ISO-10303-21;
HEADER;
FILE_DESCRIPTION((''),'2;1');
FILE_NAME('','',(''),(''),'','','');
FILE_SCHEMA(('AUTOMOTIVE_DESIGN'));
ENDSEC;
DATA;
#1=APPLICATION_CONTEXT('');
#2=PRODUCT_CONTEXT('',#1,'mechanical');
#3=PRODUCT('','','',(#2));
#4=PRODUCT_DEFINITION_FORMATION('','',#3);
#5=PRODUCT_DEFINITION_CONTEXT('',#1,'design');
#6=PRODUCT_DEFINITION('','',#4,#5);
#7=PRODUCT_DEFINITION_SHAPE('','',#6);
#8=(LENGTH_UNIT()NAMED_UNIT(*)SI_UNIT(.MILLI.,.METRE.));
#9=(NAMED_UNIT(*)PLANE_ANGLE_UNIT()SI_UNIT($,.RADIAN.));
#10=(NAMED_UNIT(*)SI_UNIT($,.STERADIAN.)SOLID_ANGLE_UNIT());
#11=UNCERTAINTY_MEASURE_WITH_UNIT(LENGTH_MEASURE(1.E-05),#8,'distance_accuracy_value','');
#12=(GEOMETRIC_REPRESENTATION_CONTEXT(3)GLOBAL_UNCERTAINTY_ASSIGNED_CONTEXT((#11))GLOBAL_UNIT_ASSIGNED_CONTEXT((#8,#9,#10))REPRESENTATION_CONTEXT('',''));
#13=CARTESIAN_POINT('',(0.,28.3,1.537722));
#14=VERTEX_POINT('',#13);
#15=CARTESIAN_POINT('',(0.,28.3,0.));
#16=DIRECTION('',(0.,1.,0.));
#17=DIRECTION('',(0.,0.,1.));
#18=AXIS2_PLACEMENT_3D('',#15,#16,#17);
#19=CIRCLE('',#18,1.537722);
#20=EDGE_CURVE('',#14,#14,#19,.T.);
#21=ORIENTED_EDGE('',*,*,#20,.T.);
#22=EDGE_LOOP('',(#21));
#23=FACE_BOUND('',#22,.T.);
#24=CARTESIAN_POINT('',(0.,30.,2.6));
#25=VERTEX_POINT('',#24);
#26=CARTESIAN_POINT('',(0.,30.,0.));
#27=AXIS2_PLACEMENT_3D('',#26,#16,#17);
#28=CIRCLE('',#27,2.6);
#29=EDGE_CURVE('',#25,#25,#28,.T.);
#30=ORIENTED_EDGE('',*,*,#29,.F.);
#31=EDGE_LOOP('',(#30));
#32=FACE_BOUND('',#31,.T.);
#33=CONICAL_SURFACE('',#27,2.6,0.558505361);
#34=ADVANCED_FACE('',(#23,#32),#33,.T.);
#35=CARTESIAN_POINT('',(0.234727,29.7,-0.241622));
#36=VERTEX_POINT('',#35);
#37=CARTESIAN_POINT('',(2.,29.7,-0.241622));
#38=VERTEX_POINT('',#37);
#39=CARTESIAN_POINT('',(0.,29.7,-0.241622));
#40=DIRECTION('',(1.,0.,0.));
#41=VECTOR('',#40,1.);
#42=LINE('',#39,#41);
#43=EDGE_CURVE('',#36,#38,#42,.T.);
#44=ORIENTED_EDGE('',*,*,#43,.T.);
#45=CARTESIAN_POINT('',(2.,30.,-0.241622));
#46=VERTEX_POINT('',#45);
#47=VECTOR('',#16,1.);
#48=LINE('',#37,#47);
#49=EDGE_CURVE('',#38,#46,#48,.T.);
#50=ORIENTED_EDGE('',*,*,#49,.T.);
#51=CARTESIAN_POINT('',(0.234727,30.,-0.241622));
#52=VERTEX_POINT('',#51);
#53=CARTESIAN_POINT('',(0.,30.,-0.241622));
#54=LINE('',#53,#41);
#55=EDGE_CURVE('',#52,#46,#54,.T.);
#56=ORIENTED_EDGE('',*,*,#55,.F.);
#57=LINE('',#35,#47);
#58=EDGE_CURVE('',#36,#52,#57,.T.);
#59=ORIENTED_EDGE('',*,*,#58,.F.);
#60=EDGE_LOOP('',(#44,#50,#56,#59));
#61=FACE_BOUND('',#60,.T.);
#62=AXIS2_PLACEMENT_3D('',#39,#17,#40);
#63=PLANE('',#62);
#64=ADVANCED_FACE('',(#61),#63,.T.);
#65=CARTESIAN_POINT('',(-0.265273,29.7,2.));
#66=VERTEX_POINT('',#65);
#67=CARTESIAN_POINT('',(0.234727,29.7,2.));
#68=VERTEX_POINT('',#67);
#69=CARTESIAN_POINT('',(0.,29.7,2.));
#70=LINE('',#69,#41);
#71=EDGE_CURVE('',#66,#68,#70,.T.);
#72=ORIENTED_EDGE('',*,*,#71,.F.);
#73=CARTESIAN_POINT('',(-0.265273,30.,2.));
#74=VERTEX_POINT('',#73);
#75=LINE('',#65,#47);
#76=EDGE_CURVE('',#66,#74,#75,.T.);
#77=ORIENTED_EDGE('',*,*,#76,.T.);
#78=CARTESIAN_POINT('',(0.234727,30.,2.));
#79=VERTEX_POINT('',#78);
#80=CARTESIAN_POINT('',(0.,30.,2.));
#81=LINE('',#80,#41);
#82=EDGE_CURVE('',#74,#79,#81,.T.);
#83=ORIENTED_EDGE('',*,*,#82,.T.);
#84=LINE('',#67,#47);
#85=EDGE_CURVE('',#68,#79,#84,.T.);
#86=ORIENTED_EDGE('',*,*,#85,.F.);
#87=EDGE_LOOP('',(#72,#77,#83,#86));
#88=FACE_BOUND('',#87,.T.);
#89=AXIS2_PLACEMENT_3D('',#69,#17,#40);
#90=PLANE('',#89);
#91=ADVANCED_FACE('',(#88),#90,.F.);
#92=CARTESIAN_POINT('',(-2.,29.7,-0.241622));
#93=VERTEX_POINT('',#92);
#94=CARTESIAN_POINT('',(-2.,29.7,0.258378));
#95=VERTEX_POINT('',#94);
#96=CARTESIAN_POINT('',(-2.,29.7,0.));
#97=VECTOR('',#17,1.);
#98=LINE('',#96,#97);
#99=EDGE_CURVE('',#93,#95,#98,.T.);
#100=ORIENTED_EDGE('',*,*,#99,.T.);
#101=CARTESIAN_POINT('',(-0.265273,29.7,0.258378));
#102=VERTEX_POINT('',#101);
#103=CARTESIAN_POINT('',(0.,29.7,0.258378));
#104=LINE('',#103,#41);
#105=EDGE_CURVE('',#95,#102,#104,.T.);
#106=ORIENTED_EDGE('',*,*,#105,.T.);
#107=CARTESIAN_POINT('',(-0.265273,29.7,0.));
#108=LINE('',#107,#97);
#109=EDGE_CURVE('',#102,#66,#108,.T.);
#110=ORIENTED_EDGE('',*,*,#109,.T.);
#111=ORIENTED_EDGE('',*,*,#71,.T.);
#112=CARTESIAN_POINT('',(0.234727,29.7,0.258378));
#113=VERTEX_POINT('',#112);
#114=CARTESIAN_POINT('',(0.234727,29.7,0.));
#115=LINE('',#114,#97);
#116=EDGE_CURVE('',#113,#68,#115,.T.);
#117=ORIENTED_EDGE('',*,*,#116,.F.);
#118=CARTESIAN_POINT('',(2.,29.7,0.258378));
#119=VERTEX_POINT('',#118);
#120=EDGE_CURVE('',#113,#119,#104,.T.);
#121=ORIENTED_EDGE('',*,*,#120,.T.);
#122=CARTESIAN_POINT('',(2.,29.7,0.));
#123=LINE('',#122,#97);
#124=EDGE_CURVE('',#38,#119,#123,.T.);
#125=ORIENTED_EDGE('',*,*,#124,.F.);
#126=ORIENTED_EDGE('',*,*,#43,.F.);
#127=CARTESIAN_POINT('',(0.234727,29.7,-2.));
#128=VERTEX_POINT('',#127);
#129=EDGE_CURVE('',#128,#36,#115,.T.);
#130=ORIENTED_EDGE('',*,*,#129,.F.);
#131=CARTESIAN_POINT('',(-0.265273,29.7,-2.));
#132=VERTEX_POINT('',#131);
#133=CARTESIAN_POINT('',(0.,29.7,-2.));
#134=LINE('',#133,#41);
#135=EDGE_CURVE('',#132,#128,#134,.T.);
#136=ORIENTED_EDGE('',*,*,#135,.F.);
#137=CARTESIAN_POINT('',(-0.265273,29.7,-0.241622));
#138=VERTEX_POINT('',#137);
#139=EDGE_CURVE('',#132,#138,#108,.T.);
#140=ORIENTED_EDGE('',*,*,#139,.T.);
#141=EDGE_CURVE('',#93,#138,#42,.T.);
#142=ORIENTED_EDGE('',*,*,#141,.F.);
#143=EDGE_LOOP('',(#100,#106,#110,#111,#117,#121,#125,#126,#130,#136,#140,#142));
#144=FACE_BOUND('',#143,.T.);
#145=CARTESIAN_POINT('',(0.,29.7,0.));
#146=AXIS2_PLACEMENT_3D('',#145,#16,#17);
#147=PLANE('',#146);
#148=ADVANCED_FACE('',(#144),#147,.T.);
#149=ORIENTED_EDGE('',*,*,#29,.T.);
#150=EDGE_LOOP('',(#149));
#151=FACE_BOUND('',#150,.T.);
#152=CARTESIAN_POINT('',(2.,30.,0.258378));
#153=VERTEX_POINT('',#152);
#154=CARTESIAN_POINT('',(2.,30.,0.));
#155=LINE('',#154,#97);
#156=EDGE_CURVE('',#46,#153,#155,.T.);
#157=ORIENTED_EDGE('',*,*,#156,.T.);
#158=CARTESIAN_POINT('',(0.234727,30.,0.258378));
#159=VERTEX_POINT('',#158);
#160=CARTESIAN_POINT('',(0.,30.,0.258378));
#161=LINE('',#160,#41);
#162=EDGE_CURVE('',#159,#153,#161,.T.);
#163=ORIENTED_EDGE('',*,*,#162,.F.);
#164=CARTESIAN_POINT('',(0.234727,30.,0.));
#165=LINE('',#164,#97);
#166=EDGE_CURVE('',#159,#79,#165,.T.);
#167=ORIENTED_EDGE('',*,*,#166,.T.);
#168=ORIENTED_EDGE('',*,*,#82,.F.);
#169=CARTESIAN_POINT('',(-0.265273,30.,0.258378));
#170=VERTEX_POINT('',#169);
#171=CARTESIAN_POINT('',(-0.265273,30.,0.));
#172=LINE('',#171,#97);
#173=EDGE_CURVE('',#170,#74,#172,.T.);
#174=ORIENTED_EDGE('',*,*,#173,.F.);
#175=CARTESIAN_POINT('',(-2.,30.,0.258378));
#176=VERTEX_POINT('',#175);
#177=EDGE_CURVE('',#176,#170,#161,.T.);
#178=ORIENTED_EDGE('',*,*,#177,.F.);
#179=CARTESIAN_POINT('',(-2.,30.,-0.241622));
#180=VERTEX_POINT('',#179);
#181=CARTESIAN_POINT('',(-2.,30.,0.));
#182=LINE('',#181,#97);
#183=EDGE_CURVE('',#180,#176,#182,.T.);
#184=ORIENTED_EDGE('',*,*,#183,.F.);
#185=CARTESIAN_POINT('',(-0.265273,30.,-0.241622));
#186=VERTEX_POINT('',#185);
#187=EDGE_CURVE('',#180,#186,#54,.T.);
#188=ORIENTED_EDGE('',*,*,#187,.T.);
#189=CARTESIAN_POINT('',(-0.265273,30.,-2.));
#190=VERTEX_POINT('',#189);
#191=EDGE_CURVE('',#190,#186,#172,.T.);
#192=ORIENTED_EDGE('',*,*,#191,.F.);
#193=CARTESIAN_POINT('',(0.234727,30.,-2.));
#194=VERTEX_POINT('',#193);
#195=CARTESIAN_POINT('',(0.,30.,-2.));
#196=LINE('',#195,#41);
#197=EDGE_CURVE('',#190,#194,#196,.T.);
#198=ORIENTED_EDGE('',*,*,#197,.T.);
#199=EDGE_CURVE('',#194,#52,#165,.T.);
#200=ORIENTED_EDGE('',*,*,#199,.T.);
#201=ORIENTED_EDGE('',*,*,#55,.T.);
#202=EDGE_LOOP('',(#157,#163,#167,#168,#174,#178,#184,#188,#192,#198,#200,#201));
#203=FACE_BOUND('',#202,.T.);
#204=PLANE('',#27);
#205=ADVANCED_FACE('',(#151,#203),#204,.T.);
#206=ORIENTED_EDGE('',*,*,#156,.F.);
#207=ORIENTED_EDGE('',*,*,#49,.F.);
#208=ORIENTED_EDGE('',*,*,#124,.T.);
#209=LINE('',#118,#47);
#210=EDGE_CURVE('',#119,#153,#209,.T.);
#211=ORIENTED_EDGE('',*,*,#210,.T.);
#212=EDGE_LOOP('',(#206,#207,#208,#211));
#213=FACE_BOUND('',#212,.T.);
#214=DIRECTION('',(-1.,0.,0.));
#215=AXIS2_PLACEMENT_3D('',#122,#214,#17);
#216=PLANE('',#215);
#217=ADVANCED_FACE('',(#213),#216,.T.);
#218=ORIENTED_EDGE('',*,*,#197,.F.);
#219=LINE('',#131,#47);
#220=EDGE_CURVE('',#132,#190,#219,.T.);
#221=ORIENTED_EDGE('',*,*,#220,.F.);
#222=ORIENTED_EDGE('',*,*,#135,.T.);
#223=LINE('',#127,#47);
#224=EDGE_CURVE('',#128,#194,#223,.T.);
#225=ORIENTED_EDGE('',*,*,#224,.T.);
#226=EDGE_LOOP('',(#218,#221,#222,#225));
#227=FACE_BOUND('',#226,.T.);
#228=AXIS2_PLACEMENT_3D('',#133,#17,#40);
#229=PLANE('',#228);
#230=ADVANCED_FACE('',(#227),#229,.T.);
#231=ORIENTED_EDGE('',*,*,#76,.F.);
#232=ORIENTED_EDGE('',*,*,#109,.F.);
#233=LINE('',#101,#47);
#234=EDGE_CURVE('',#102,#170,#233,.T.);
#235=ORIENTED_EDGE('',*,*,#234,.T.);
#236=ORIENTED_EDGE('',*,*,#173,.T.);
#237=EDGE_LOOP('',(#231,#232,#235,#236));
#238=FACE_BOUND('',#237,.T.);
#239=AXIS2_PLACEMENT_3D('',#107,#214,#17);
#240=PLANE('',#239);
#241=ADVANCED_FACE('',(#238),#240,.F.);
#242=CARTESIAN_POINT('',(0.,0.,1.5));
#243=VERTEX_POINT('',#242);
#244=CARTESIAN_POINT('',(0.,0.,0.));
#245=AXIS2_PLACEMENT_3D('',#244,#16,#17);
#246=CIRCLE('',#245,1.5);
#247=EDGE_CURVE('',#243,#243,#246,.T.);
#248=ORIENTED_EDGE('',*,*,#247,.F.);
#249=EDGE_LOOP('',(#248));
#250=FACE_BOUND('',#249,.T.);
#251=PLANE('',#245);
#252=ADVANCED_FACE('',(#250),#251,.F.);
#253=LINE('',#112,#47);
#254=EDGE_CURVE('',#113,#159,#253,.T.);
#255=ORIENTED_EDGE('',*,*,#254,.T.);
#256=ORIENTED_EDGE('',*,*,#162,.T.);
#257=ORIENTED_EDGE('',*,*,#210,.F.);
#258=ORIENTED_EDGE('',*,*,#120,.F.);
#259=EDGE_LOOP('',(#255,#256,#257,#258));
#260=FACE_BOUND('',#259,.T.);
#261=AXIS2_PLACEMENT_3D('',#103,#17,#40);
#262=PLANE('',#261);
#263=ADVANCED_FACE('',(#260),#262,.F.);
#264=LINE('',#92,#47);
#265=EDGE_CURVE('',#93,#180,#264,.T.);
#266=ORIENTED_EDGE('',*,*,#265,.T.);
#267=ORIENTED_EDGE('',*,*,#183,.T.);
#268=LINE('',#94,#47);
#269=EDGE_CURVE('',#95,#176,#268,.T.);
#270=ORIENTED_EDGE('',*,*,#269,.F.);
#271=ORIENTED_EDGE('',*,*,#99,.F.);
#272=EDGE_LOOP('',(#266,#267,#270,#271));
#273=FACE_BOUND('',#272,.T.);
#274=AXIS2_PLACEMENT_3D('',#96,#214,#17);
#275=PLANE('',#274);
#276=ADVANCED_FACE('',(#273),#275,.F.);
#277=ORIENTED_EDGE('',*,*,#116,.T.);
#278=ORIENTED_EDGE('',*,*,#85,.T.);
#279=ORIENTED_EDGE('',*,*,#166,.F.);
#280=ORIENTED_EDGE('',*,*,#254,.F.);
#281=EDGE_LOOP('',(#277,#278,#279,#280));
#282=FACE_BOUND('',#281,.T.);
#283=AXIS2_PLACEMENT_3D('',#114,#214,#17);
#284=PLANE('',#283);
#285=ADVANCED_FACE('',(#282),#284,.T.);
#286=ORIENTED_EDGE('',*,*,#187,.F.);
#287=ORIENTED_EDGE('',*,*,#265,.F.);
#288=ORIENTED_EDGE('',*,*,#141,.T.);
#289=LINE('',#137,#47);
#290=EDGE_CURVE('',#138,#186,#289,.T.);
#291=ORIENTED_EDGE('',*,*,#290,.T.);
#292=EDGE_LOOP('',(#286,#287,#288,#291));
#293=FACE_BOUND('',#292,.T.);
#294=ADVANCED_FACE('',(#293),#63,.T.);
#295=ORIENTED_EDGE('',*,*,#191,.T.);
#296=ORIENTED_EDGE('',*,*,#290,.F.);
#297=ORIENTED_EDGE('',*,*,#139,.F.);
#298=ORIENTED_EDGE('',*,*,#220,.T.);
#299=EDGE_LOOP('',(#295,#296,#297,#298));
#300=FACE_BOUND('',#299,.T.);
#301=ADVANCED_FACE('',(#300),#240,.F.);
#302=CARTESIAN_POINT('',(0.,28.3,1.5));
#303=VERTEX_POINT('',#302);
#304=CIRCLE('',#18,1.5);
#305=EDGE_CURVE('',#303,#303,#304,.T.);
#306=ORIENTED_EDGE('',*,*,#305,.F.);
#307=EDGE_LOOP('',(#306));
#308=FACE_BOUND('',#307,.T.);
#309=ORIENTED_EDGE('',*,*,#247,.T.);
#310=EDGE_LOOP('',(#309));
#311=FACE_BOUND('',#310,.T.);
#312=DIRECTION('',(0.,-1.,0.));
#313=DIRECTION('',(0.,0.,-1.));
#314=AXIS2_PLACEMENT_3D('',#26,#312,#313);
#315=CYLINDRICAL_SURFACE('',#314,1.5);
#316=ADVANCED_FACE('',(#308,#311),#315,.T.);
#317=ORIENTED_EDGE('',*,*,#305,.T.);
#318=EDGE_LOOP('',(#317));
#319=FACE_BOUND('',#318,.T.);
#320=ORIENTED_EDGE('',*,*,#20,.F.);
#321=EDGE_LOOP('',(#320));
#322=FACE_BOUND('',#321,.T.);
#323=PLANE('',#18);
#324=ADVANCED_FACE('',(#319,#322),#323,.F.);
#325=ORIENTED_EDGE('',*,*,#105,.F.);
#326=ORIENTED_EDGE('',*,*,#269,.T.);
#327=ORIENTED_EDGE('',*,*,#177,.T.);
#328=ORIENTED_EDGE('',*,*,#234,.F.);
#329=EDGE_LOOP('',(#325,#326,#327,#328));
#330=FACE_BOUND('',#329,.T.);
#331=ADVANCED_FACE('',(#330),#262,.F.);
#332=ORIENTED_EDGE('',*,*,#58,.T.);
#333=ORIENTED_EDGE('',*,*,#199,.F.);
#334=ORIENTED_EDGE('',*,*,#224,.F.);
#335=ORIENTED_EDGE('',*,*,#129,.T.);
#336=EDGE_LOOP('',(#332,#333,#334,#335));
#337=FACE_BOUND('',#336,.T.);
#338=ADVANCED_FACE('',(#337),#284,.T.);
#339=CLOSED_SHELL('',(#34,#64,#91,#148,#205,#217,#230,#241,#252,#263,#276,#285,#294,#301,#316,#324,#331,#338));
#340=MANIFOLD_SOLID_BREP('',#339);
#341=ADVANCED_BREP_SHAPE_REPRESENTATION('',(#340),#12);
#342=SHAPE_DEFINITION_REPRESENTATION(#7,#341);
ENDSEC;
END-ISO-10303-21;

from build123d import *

# Parameters (mm, degrees)
SKETCH1_R           = 1.5
BOSS_EXTRUDE1_DEPTH = 30
SKETCH2_R           = 2.6
BOSS_EXTRUDE2_DEPTH = 1.7
BOSS_EXTRUDE2_TAPER = 32
SKETCH3_W           = 0.5
SKETCH3_H           = 1.758378485
SKETCH3_H_2         = 1.741621515
SKETCH3_W_2         = 1.734727157
SKETCH3_H_3         = 0.5
SKETCH3_W_3         = 1.765272843
CUT_EXTRUDE1_DEPTH  = 0.3


with BuildPart() as part:
    # Sketch1 → Boss-Extrude1 (new body)
    with BuildSketch(Plane(origin=(0, 0, 0), x_dir=(1, 0, 0), z_dir=(0, 1, 0))):
        Circle(SKETCH1_R)
    extrude(amount=BOSS_EXTRUDE1_DEPTH)

    # Sketch2 → Boss-Extrude2 (add)
    with BuildSketch(Plane(origin=(0, 30, 0), x_dir=(1, 0, 0), z_dir=(0, 1, 0))):
        Circle(SKETCH2_R)
    extrude(amount=-BOSS_EXTRUDE2_DEPTH, taper=BOSS_EXTRUDE2_TAPER)

    # Sketch3 → Cut-Extrude1 (cut)
    with BuildSketch(Plane(origin=(0, 30, 0), x_dir=(1, 0, 0), z_dir=(0, 1, 0))):
        with Locations((-0.015272843, 1.120810757)):
            Rectangle(SKETCH3_W, SKETCH3_H)
        with Locations((-0.015272843, -1.129189243)):
            Rectangle(SKETCH3_W, SKETCH3_H_2)
        with Locations((-1.132636421, -0.008378485)):
            Rectangle(SKETCH3_W_2, SKETCH3_H_3)
        with Locations((1.117363579, -0.008378485)):
            Rectangle(SKETCH3_W_3, SKETCH3_H_3)
        with Locations((-0.015272843, -0.008378485)):
            Rectangle(SKETCH3_W, SKETCH3_H_3)
    extrude(amount=-CUT_EXTRUDE1_DEPTH, mode=Mode.SUBTRACT)


solid = part.part
